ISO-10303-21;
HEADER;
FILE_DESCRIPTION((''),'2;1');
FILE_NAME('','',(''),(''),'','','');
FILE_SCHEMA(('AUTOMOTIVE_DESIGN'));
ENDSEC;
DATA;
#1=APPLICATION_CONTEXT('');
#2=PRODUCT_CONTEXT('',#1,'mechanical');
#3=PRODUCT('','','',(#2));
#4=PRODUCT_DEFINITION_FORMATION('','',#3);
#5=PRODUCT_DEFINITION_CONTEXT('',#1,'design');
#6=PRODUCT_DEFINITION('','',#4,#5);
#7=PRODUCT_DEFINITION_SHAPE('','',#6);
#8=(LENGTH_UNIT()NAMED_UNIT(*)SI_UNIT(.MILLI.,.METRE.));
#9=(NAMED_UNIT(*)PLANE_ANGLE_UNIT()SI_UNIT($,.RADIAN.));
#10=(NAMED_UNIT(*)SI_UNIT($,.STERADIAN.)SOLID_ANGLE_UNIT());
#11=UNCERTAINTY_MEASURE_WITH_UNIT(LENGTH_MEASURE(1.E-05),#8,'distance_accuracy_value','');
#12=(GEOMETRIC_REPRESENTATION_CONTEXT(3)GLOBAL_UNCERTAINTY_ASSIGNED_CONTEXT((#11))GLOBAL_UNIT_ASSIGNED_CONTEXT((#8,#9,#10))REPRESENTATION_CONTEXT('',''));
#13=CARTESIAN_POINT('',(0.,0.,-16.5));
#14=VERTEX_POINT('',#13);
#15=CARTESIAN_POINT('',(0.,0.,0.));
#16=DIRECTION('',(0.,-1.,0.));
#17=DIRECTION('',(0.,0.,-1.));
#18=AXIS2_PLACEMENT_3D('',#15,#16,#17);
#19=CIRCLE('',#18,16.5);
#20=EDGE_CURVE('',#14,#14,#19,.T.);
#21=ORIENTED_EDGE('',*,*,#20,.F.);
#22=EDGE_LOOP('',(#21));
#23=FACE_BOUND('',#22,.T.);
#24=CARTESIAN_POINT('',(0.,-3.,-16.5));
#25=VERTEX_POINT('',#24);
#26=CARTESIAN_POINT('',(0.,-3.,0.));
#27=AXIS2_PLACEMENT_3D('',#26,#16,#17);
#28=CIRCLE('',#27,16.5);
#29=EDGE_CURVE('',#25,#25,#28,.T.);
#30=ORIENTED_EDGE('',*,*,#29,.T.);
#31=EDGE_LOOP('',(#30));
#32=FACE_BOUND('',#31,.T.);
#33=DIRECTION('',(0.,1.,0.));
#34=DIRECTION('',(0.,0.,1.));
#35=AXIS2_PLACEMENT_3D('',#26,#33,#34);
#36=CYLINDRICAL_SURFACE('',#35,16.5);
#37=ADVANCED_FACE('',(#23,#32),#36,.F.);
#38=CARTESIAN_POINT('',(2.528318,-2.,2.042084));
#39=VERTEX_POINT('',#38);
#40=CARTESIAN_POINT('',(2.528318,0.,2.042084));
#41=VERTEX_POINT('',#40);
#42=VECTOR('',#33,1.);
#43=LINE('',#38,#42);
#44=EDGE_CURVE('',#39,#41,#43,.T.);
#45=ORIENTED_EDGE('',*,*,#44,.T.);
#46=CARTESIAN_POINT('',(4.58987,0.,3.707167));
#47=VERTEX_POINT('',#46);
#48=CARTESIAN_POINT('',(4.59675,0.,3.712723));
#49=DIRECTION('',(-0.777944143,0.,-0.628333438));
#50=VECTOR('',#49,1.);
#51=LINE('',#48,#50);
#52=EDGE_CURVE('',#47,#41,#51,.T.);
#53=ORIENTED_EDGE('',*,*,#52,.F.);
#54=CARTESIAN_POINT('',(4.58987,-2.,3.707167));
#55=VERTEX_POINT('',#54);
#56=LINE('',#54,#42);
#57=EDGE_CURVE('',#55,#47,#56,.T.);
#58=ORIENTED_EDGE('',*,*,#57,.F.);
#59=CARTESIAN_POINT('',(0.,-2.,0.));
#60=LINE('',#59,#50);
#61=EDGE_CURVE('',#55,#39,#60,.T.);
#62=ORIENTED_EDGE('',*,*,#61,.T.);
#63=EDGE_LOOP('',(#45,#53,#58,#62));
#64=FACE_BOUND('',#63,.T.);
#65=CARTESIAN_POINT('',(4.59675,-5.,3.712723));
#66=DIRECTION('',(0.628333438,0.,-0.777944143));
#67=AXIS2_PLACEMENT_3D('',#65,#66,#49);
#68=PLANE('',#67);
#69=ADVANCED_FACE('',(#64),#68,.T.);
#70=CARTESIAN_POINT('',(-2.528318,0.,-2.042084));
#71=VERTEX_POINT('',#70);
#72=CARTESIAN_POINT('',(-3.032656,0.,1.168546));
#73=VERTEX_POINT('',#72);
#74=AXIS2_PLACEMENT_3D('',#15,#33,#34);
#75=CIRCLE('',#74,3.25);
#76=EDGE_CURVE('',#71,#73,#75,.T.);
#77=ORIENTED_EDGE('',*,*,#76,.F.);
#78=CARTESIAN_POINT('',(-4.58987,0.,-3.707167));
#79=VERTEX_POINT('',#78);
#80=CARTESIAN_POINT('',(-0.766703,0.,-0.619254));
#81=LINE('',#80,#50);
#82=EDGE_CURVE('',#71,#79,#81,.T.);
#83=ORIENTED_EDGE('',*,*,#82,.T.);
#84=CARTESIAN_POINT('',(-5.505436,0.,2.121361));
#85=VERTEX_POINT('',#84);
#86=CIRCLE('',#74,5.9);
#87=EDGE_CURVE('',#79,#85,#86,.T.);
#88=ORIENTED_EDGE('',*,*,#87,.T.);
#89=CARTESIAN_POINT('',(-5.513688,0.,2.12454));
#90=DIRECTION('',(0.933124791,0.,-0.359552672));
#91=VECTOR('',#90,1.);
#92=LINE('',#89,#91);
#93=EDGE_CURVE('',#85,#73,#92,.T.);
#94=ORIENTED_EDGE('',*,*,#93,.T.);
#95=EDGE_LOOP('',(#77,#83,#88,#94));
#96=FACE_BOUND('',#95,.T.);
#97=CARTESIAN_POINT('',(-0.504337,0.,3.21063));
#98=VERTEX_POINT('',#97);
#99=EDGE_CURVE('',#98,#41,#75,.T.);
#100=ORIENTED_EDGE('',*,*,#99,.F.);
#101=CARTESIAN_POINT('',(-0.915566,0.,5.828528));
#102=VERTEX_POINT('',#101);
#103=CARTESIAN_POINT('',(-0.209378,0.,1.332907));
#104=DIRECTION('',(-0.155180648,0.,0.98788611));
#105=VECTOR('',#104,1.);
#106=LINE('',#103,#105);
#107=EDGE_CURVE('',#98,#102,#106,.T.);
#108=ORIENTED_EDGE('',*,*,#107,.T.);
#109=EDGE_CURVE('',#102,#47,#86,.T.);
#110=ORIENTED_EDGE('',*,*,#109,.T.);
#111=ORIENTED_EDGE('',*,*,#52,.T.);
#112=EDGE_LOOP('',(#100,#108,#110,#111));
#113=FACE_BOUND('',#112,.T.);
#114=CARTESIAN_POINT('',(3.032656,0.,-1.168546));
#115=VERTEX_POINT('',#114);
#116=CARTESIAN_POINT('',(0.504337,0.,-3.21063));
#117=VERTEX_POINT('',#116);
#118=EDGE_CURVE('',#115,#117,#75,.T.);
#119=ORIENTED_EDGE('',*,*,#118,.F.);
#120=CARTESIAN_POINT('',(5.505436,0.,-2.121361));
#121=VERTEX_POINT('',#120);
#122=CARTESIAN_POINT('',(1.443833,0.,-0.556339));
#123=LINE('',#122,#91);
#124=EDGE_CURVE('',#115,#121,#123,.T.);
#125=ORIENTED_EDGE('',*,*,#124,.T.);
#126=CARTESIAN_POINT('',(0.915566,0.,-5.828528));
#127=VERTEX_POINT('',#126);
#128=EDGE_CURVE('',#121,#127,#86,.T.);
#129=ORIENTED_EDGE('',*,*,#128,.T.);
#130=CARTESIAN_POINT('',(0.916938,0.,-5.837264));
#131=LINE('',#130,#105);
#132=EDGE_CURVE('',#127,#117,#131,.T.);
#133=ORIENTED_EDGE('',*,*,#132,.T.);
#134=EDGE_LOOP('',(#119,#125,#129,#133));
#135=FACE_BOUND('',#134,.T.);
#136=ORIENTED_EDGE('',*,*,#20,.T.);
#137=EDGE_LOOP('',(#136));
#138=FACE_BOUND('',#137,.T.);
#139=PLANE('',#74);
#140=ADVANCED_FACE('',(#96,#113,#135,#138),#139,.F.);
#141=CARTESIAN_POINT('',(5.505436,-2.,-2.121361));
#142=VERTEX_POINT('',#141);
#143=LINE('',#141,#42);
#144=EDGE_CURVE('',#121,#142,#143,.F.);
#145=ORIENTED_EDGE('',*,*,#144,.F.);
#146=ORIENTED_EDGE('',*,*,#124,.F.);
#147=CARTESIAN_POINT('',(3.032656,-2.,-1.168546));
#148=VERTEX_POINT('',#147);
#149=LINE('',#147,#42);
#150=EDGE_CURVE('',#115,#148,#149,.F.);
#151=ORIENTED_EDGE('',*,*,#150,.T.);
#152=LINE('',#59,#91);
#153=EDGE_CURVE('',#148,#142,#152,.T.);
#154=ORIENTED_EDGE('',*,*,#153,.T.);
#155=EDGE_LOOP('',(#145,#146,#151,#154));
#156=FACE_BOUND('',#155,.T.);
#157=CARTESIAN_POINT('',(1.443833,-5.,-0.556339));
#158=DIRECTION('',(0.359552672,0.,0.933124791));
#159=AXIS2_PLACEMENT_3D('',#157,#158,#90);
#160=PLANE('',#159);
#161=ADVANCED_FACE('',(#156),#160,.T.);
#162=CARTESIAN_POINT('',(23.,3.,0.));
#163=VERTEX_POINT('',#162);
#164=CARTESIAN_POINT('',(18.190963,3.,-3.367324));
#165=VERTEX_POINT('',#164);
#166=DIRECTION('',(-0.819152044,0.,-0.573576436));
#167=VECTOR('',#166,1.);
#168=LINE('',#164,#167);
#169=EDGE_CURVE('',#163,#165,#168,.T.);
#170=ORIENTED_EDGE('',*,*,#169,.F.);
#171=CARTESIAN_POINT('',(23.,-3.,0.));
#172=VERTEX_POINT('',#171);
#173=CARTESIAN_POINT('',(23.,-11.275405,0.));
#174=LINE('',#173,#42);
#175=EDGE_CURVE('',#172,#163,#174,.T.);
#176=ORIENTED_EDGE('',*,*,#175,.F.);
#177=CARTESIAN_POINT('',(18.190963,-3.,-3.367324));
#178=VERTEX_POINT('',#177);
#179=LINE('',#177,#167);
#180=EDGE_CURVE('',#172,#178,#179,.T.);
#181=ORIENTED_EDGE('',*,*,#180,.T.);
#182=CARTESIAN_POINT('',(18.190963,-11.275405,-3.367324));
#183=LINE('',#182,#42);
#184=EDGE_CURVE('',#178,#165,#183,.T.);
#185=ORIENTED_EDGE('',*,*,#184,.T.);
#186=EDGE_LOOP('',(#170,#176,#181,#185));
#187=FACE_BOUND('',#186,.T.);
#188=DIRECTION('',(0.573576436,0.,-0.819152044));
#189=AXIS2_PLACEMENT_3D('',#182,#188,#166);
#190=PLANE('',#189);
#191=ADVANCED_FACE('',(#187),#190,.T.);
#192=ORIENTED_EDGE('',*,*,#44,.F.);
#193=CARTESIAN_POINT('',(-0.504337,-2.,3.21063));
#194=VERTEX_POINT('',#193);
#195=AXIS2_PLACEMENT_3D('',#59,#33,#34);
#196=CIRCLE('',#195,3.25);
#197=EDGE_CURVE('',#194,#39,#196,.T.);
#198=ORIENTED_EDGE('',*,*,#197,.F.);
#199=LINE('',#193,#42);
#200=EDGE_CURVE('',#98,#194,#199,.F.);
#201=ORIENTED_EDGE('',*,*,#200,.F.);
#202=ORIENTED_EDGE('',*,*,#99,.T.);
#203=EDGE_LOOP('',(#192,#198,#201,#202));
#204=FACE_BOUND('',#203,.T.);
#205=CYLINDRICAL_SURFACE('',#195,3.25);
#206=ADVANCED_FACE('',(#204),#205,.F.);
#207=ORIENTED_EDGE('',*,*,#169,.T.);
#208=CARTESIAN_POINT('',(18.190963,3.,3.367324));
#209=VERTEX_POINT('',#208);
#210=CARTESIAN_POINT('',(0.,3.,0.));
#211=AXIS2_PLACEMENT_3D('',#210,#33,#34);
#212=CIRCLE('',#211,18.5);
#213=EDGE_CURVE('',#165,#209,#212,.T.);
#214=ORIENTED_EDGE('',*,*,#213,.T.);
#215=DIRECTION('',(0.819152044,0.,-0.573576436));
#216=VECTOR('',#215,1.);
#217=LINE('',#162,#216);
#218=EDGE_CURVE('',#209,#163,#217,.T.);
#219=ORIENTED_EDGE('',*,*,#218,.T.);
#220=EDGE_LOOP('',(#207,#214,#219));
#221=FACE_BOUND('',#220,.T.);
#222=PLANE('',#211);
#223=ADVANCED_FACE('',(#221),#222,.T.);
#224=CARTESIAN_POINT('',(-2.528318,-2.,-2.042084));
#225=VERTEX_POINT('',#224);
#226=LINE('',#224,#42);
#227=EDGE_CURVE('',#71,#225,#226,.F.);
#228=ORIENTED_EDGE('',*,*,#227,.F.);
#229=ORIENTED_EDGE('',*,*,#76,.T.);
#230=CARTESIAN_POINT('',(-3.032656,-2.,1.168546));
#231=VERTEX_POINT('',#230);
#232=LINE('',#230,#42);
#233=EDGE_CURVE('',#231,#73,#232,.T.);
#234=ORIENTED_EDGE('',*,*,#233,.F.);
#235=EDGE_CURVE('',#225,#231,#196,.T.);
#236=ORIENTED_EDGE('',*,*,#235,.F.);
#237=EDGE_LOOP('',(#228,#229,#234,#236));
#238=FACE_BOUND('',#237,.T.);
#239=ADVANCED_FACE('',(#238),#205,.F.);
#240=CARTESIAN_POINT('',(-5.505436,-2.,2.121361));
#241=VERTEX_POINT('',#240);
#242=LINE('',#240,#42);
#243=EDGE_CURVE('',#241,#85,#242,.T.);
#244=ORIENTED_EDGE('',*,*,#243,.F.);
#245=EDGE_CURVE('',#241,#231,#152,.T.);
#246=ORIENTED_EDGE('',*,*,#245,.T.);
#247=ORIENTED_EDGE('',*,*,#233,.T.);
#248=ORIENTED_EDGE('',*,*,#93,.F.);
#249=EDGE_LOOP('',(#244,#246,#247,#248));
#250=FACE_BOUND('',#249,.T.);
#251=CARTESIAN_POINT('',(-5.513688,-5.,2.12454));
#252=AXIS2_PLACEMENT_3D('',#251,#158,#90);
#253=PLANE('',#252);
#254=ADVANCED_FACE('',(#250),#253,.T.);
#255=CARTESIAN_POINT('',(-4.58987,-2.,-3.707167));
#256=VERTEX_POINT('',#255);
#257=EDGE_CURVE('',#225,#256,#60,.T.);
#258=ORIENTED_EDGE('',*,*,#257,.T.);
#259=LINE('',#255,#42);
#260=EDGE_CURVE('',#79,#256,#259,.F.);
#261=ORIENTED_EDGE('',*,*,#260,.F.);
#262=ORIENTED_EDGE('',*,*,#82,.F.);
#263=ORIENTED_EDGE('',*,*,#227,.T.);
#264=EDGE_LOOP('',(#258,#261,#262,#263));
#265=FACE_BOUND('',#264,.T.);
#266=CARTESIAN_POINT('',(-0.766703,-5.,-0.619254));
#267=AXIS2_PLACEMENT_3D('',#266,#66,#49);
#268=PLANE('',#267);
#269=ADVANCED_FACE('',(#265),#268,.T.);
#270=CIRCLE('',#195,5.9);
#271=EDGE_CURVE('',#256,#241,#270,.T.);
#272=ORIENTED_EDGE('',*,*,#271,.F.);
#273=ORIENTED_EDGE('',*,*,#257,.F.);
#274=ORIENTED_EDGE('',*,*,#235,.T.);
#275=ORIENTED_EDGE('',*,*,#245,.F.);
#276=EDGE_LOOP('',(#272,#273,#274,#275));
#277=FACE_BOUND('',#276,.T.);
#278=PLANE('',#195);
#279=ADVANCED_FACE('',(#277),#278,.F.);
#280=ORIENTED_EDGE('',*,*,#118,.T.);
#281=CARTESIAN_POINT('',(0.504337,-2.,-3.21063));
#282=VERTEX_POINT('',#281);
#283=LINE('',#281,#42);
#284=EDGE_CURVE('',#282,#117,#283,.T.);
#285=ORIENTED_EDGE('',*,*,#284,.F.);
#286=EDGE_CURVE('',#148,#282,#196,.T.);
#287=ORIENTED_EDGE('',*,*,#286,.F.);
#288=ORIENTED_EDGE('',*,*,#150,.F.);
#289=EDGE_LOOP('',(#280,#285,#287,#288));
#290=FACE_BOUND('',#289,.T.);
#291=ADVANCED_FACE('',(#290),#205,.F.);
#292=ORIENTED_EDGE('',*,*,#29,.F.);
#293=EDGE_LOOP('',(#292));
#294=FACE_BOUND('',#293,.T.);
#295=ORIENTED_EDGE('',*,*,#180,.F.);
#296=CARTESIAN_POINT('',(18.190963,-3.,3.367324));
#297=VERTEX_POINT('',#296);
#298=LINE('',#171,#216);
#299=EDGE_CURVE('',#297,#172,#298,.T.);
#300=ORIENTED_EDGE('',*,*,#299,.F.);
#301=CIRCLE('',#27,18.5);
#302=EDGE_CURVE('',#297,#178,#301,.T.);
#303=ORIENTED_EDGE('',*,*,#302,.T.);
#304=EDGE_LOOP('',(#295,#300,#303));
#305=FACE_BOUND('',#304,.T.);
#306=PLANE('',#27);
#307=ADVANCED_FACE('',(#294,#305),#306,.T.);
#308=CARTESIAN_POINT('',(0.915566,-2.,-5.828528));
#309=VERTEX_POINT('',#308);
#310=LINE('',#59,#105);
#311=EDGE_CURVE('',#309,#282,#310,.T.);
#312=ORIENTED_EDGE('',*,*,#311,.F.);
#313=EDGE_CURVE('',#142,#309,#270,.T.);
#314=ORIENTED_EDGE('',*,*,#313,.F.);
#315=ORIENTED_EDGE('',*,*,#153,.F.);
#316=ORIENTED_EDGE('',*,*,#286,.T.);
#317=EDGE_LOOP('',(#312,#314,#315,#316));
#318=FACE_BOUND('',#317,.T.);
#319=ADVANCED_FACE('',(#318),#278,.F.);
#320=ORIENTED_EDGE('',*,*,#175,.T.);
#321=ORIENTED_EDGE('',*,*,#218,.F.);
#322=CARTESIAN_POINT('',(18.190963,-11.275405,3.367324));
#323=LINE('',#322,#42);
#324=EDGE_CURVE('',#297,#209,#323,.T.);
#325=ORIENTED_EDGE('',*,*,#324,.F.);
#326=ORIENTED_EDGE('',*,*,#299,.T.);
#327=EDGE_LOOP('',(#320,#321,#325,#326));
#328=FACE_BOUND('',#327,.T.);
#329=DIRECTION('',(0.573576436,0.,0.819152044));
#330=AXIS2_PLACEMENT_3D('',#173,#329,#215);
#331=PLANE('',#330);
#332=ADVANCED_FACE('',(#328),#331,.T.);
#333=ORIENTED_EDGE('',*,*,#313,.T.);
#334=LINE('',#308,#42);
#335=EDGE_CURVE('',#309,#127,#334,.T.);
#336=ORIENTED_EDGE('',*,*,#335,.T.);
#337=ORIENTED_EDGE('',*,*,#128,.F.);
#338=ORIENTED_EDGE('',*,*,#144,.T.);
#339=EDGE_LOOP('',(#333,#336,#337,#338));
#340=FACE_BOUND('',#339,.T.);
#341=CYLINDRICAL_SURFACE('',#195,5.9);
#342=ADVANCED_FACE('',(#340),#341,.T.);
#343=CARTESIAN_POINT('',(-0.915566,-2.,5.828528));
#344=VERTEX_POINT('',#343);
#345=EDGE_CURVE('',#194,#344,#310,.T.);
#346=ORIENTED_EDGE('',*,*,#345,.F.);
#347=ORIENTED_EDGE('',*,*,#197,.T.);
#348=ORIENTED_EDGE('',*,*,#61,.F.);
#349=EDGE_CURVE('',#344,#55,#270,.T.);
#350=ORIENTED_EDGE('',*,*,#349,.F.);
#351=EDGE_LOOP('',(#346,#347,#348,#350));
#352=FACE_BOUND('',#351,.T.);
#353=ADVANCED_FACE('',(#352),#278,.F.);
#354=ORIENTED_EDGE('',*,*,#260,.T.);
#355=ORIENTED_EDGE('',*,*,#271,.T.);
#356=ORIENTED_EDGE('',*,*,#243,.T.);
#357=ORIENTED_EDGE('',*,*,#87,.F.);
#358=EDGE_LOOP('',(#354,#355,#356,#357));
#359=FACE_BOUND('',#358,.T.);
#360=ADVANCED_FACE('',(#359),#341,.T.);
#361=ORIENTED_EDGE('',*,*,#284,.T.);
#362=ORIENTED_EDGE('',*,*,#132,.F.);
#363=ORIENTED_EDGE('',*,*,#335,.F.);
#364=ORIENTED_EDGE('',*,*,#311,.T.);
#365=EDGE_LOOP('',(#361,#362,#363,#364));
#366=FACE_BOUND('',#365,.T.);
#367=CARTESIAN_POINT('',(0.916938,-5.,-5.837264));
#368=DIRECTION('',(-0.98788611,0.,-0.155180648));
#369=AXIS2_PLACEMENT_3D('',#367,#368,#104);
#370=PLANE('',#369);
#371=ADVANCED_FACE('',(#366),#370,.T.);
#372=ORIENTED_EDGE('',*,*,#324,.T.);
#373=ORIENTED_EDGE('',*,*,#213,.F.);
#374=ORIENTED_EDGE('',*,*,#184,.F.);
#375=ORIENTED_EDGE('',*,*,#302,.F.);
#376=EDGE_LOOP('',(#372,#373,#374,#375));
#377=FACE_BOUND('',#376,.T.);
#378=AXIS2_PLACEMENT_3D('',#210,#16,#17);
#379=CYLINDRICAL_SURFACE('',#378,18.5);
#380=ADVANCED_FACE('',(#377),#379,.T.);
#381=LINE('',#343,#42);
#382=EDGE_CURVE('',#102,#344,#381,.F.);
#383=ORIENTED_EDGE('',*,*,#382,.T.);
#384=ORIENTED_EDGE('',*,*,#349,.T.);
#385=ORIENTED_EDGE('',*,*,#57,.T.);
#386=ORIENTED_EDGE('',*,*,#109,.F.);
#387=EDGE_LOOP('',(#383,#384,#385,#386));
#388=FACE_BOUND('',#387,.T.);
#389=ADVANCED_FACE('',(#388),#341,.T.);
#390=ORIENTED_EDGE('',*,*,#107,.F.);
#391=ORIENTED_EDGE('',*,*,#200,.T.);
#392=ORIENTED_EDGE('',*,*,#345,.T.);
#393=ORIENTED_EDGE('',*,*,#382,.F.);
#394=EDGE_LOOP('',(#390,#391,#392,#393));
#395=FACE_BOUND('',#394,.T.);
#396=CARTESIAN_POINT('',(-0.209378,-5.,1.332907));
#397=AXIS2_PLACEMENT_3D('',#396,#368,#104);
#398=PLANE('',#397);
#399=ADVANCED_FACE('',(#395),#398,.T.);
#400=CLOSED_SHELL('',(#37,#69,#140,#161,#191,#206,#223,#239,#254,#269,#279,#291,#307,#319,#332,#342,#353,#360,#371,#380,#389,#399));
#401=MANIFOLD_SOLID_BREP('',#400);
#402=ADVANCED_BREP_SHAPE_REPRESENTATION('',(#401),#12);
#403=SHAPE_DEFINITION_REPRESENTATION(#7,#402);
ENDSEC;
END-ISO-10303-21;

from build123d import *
from build123d.topology import SkipClean

# Parameters (mm, degrees)
SKETCH2_R           = 18.5
BOSS_EXTRUDE1_DEPTH = 3
BOSS_EXTRUDE2_START = 3
SKETCH3_R           = 18.5
SKETCH3_R_2         = 16.5
BOSS_EXTRUDE2_DEPTH = 3
SKETCH4_R           = 5.9
SKETCH4_R_2         = 3.25
BOSS_EXTRUDE3_DEPTH = 5
CUT_EXTRUDE2_DEPTH  = 5
BOSS_EXTRUDE4_DEPTH = 6


with BuildPart() as part:
    # Sketch2 → Boss-Extrude1 (new body)
    with BuildSketch(Plane(origin=(0, 0, 0), x_dir=(1, 0, 0), z_dir=(0, 1, 0))):
        with Locations(Location((0, 0, 0), (0, 0, 270))):
            Circle(SKETCH2_R)
    extrude(amount=BOSS_EXTRUDE1_DEPTH)

    # Sketch3 → Boss-Extrude2 (add)
    with BuildSketch(Plane.XZ.offset(BOSS_EXTRUDE2_START)):
        with Locations(Location((0, 0, 0), (0, 0, 270))):
            Circle(SKETCH3_R)
        with Locations(Location((0, 0, 0), (0, 0, 270))):
            Circle(SKETCH3_R_2, mode=Mode.SUBTRACT)
    extrude(amount=-BOSS_EXTRUDE2_DEPTH)

    # Sketch4 → Boss-Extrude3 (add)
    with BuildSketch(Plane(origin=(0, 3, 0), x_dir=(1, 0, 0), z_dir=(0, 1, 0))):
        with Locations(Location((0, 0, 0), (0, 0, 270))):
            Circle(SKETCH4_R)
        with Locations(Location((0, 0, 0), (0, 0, 270))):
            Circle(SKETCH4_R_2, mode=Mode.SUBTRACT)
    extrude(amount=-BOSS_EXTRUDE3_DEPTH)

    # Sketch5 → Cut-Extrude2 (cut)
    with BuildSketch(Plane.XZ):
        with BuildLine():
            Line((4.59674962, 3.712723487), (1.284790165, 1.037705121))
            Line((1.284790165, 1.037705121), (1.443832634, -0.55633918))
            Line((1.443832634, -0.55633918), (5.513687667, -2.124540202))
            ThreePointArc((5.513687667, -2.124540202), (5.837263689, 0.916938047), (4.59674962, 3.712723487))
        make_face()
        with BuildLine():
            Line((-0.766702536, -0.619253766), (-4.59674962, -3.712723487))
            ThreePointArc((-4.59674962, -3.712723487), (-2.124540202, -5.513687667), (0.916938047, -5.837263689))
            Line((0.916938047, -5.837263689), (0.150426378, -0.957620244))
            Line((0.150426378, -0.957620244), (-0.766702536, -0.619253766))
        make_face()
        with BuildLine():
            Line((-0.209377738, 1.332906921), (-0.916938047, 5.837263689))
            ThreePointArc((-0.916938047, 5.837263689), (-3.712723487, 4.59674962), (-5.513687667, 2.124540202))
            Line((-5.513687667, 2.124540202), (-1.089014646, 0.419620322))
            Line((-1.089014646, 0.419620322), (-0.209377738, 1.332906921))
        make_face()
    extrude(amount=CUT_EXTRUDE2_DEPTH, mode=Mode.SUBTRACT)

    # Sketch6 → Boss-Extrude4 (add)
    with SkipClean():  # the faces are left unmerged after this step: merging them gives an invalid solid
        with BuildSketch(Plane(origin=(0, 3, 0), x_dir=(1, 0, 0), z_dir=(0, 1, 0))):
            Polygon((18.190962826, 3.367324081), (18.190962826, -3.367324081), (23, 0), align=None)
        extrude(amount=-BOSS_EXTRUDE4_DEPTH)


solid = part.part
